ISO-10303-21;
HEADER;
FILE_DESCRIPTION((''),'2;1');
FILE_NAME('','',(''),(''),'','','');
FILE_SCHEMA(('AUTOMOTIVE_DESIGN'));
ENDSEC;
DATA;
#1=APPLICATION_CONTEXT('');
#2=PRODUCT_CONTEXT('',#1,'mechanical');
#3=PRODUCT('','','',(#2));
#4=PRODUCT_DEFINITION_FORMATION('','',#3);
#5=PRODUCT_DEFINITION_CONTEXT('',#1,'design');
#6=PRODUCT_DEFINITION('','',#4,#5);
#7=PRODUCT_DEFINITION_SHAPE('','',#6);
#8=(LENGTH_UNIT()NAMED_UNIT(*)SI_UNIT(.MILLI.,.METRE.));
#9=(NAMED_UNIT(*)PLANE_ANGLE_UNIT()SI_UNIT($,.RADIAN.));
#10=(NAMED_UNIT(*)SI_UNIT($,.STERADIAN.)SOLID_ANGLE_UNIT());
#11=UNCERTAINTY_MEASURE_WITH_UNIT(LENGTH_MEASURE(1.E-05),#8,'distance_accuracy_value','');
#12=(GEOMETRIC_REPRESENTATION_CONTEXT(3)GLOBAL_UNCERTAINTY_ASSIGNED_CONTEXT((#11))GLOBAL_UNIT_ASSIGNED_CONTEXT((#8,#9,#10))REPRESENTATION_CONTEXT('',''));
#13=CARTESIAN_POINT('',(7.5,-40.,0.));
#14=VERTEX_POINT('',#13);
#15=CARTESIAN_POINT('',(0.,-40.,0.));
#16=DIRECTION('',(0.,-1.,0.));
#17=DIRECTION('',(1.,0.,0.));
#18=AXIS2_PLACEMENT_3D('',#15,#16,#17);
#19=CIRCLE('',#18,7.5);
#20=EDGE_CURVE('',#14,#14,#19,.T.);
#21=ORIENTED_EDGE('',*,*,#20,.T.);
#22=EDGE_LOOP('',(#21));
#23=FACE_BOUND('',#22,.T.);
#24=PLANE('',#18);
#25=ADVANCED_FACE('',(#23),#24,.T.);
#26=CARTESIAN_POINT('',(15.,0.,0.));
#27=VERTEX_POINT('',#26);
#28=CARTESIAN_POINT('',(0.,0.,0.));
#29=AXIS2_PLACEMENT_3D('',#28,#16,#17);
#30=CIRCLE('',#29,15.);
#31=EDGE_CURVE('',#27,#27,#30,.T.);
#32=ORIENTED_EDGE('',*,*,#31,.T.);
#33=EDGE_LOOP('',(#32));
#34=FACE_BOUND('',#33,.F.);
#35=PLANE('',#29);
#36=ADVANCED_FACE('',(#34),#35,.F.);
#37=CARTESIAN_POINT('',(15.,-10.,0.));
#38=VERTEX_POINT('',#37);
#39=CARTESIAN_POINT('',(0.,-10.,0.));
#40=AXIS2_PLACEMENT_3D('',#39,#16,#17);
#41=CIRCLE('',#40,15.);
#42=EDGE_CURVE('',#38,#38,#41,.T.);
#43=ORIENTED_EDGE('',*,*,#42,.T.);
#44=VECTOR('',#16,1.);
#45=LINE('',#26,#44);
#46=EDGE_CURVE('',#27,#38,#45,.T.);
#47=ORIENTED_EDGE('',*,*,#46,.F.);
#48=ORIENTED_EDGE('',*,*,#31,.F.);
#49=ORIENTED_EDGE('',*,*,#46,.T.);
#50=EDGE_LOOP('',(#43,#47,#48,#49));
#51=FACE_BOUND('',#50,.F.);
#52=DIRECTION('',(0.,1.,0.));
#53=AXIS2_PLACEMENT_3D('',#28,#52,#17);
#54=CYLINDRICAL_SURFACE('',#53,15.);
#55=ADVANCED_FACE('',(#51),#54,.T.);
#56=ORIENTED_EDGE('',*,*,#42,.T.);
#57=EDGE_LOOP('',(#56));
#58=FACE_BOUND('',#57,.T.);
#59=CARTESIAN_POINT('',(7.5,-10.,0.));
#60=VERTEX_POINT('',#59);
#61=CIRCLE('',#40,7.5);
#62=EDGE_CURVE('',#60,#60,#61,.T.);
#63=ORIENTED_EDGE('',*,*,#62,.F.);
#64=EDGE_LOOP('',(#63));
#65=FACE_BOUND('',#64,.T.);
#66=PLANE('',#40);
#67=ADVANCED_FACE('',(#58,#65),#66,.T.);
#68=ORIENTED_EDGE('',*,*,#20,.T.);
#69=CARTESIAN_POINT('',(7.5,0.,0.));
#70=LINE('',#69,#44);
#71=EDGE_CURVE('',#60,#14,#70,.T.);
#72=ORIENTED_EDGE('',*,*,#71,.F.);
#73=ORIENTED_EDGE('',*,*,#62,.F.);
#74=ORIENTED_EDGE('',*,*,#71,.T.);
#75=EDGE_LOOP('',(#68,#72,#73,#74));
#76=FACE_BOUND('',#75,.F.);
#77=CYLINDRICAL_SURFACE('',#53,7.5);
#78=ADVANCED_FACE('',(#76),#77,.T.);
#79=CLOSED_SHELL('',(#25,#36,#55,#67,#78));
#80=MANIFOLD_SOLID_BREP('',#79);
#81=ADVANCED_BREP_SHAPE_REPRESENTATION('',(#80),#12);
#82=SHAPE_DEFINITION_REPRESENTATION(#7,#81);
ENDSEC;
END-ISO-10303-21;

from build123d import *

# Parameters (mm, degrees)
F0_R     = 15
F0_R_2   = 7.5
F2_DEPTH = 10
F1_R     = 7.5
F3_DEPTH = 40


with BuildPart() as f2:
    # F0 (on Front) → F2 (new body)
    with BuildSketch(Plane.XZ):
        Circle(F0_R)
        Circle(F0_R_2, mode=Mode.SUBTRACT)
    extrude(amount=F2_DEPTH)

    # F1 (on Front) → F3 (join)
    with BuildSketch(Plane.XZ):
        Circle(F1_R)
    extrude(amount=F3_DEPTH)


solid = f2.part
